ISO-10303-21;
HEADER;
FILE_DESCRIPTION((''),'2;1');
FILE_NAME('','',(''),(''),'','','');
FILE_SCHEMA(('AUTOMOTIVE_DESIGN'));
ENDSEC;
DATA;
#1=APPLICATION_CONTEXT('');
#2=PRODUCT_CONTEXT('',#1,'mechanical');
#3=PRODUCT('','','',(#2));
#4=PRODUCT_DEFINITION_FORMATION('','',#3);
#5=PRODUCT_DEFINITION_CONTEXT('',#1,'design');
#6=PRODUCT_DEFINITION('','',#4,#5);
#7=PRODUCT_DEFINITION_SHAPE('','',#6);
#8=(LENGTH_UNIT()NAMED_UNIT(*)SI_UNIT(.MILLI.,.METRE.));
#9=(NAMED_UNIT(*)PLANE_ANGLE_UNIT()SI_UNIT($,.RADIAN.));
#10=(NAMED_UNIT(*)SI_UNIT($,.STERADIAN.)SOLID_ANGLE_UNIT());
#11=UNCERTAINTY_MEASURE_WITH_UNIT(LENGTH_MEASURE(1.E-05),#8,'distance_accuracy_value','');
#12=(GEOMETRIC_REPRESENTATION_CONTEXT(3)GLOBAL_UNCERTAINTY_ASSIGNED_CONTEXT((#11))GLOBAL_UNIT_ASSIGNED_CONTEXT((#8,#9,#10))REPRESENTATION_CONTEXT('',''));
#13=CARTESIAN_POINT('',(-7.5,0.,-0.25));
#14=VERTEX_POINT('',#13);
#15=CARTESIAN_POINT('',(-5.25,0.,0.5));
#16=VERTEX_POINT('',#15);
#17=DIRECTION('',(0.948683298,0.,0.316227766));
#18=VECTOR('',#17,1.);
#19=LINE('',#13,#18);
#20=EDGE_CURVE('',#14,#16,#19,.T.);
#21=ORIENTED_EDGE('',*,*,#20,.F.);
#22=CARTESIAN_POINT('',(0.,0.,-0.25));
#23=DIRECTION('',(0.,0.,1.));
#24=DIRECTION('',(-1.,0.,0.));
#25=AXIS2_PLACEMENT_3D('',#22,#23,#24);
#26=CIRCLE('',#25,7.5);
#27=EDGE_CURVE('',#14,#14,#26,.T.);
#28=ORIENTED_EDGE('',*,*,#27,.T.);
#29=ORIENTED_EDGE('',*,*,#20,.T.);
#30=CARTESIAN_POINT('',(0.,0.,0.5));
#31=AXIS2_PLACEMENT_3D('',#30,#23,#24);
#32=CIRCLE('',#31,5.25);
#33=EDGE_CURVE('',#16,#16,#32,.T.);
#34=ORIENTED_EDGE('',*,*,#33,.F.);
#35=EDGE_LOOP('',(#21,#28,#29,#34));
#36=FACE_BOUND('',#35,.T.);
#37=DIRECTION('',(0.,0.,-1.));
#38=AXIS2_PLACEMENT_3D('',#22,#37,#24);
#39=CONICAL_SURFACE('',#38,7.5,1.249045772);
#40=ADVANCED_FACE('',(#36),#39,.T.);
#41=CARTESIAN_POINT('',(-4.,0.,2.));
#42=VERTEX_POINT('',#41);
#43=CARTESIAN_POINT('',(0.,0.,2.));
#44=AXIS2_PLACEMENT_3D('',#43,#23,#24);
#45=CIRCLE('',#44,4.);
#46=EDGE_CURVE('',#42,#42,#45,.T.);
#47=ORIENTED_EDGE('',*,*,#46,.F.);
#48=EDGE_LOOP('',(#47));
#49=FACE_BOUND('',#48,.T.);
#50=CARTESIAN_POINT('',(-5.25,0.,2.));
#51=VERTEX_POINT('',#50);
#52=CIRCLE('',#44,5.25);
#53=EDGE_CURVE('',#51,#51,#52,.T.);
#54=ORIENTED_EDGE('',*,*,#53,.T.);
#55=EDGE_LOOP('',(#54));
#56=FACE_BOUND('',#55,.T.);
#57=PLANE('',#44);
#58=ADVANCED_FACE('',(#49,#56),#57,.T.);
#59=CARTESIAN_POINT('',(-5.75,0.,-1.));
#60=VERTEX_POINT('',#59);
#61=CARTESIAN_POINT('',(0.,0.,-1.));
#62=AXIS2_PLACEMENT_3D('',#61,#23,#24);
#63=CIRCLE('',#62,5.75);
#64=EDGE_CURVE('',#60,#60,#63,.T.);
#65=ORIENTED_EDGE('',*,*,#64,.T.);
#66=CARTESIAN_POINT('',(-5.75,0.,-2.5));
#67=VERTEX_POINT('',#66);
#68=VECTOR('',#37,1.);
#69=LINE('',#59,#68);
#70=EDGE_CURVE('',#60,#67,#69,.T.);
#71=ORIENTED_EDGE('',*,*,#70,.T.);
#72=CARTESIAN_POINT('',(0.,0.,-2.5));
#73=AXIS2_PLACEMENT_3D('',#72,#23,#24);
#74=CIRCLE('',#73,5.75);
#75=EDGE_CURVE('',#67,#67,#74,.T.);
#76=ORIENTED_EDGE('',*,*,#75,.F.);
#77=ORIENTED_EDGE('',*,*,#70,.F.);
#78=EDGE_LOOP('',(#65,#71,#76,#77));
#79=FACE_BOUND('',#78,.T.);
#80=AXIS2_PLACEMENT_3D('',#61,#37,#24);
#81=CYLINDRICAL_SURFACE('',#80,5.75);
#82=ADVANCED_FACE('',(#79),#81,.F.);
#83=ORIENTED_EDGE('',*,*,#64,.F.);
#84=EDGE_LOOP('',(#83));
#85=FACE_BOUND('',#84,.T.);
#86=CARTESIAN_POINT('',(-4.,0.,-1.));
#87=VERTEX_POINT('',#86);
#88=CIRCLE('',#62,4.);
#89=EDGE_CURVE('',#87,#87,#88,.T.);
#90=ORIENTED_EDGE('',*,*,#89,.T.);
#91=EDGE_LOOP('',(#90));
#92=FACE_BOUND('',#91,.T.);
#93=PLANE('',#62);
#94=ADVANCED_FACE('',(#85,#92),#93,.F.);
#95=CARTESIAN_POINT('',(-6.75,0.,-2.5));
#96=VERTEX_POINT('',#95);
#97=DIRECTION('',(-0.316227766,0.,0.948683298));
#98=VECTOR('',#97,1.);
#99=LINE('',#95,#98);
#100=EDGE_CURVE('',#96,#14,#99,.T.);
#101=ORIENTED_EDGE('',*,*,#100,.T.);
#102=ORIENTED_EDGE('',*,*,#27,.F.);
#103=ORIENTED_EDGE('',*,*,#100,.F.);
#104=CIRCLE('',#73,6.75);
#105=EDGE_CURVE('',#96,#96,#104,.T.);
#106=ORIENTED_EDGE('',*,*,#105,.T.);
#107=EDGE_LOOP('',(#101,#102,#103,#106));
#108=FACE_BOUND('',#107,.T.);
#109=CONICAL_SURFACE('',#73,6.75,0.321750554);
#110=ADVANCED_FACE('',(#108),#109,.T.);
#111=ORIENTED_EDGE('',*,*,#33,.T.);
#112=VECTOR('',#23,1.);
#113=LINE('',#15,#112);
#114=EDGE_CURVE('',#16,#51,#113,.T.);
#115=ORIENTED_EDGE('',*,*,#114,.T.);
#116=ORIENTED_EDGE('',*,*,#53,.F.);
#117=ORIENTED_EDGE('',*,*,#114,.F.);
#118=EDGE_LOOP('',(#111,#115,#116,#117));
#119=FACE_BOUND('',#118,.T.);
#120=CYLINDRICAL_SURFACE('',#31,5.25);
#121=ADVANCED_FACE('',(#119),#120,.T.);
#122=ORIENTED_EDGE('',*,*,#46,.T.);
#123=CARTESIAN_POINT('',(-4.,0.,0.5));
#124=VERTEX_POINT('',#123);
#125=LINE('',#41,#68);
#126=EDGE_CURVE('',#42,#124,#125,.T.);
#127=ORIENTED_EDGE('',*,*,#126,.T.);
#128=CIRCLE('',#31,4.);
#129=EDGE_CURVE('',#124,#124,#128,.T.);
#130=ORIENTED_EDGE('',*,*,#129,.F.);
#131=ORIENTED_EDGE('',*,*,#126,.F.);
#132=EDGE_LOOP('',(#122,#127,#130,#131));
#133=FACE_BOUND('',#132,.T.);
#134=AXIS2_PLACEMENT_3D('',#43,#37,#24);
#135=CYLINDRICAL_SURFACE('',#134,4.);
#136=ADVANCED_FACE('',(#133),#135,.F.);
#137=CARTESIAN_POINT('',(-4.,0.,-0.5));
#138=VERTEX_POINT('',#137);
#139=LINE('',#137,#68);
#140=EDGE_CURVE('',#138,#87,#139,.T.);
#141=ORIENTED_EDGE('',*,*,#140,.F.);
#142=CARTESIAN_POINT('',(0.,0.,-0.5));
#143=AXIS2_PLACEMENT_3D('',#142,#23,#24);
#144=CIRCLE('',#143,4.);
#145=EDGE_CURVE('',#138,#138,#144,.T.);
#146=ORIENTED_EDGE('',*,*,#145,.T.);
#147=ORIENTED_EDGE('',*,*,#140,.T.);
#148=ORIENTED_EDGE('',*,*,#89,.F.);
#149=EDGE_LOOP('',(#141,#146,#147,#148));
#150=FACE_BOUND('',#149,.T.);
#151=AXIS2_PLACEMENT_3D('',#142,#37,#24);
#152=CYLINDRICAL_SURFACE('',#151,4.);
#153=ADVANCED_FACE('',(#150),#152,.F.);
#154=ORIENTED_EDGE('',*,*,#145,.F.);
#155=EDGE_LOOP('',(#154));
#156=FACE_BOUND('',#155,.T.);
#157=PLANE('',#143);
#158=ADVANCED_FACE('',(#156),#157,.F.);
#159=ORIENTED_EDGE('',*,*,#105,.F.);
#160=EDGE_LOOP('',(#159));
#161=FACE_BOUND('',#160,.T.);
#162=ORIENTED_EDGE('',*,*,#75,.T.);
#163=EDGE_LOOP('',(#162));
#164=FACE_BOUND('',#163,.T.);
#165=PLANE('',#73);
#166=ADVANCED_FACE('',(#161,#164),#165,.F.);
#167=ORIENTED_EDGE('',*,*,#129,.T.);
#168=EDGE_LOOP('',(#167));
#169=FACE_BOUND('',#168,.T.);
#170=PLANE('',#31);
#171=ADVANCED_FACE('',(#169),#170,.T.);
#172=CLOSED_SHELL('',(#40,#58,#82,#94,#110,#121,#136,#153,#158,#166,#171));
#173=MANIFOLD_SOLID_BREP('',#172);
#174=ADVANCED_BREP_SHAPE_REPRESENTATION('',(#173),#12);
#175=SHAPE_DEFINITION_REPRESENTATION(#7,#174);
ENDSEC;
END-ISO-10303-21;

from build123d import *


with BuildPart() as part:
    # Sketch → Revolution (revolve)
    with BuildSketch(Plane.XZ):
        Polygon((-7.5, -0.25), (-5.25, 0.5), (-5.25, 2), (-4, 2), (-4, 0.5), (0, 0.5), (0, -0.5), (-4, -0.5), (-4, -1), (-5.75, -1), (-5.75, -2.5), (-6.75, -2.5), align=None)
    revolve(axis=Axis((0, 0, 0), (0, 0, 1)))


solid = part.part
